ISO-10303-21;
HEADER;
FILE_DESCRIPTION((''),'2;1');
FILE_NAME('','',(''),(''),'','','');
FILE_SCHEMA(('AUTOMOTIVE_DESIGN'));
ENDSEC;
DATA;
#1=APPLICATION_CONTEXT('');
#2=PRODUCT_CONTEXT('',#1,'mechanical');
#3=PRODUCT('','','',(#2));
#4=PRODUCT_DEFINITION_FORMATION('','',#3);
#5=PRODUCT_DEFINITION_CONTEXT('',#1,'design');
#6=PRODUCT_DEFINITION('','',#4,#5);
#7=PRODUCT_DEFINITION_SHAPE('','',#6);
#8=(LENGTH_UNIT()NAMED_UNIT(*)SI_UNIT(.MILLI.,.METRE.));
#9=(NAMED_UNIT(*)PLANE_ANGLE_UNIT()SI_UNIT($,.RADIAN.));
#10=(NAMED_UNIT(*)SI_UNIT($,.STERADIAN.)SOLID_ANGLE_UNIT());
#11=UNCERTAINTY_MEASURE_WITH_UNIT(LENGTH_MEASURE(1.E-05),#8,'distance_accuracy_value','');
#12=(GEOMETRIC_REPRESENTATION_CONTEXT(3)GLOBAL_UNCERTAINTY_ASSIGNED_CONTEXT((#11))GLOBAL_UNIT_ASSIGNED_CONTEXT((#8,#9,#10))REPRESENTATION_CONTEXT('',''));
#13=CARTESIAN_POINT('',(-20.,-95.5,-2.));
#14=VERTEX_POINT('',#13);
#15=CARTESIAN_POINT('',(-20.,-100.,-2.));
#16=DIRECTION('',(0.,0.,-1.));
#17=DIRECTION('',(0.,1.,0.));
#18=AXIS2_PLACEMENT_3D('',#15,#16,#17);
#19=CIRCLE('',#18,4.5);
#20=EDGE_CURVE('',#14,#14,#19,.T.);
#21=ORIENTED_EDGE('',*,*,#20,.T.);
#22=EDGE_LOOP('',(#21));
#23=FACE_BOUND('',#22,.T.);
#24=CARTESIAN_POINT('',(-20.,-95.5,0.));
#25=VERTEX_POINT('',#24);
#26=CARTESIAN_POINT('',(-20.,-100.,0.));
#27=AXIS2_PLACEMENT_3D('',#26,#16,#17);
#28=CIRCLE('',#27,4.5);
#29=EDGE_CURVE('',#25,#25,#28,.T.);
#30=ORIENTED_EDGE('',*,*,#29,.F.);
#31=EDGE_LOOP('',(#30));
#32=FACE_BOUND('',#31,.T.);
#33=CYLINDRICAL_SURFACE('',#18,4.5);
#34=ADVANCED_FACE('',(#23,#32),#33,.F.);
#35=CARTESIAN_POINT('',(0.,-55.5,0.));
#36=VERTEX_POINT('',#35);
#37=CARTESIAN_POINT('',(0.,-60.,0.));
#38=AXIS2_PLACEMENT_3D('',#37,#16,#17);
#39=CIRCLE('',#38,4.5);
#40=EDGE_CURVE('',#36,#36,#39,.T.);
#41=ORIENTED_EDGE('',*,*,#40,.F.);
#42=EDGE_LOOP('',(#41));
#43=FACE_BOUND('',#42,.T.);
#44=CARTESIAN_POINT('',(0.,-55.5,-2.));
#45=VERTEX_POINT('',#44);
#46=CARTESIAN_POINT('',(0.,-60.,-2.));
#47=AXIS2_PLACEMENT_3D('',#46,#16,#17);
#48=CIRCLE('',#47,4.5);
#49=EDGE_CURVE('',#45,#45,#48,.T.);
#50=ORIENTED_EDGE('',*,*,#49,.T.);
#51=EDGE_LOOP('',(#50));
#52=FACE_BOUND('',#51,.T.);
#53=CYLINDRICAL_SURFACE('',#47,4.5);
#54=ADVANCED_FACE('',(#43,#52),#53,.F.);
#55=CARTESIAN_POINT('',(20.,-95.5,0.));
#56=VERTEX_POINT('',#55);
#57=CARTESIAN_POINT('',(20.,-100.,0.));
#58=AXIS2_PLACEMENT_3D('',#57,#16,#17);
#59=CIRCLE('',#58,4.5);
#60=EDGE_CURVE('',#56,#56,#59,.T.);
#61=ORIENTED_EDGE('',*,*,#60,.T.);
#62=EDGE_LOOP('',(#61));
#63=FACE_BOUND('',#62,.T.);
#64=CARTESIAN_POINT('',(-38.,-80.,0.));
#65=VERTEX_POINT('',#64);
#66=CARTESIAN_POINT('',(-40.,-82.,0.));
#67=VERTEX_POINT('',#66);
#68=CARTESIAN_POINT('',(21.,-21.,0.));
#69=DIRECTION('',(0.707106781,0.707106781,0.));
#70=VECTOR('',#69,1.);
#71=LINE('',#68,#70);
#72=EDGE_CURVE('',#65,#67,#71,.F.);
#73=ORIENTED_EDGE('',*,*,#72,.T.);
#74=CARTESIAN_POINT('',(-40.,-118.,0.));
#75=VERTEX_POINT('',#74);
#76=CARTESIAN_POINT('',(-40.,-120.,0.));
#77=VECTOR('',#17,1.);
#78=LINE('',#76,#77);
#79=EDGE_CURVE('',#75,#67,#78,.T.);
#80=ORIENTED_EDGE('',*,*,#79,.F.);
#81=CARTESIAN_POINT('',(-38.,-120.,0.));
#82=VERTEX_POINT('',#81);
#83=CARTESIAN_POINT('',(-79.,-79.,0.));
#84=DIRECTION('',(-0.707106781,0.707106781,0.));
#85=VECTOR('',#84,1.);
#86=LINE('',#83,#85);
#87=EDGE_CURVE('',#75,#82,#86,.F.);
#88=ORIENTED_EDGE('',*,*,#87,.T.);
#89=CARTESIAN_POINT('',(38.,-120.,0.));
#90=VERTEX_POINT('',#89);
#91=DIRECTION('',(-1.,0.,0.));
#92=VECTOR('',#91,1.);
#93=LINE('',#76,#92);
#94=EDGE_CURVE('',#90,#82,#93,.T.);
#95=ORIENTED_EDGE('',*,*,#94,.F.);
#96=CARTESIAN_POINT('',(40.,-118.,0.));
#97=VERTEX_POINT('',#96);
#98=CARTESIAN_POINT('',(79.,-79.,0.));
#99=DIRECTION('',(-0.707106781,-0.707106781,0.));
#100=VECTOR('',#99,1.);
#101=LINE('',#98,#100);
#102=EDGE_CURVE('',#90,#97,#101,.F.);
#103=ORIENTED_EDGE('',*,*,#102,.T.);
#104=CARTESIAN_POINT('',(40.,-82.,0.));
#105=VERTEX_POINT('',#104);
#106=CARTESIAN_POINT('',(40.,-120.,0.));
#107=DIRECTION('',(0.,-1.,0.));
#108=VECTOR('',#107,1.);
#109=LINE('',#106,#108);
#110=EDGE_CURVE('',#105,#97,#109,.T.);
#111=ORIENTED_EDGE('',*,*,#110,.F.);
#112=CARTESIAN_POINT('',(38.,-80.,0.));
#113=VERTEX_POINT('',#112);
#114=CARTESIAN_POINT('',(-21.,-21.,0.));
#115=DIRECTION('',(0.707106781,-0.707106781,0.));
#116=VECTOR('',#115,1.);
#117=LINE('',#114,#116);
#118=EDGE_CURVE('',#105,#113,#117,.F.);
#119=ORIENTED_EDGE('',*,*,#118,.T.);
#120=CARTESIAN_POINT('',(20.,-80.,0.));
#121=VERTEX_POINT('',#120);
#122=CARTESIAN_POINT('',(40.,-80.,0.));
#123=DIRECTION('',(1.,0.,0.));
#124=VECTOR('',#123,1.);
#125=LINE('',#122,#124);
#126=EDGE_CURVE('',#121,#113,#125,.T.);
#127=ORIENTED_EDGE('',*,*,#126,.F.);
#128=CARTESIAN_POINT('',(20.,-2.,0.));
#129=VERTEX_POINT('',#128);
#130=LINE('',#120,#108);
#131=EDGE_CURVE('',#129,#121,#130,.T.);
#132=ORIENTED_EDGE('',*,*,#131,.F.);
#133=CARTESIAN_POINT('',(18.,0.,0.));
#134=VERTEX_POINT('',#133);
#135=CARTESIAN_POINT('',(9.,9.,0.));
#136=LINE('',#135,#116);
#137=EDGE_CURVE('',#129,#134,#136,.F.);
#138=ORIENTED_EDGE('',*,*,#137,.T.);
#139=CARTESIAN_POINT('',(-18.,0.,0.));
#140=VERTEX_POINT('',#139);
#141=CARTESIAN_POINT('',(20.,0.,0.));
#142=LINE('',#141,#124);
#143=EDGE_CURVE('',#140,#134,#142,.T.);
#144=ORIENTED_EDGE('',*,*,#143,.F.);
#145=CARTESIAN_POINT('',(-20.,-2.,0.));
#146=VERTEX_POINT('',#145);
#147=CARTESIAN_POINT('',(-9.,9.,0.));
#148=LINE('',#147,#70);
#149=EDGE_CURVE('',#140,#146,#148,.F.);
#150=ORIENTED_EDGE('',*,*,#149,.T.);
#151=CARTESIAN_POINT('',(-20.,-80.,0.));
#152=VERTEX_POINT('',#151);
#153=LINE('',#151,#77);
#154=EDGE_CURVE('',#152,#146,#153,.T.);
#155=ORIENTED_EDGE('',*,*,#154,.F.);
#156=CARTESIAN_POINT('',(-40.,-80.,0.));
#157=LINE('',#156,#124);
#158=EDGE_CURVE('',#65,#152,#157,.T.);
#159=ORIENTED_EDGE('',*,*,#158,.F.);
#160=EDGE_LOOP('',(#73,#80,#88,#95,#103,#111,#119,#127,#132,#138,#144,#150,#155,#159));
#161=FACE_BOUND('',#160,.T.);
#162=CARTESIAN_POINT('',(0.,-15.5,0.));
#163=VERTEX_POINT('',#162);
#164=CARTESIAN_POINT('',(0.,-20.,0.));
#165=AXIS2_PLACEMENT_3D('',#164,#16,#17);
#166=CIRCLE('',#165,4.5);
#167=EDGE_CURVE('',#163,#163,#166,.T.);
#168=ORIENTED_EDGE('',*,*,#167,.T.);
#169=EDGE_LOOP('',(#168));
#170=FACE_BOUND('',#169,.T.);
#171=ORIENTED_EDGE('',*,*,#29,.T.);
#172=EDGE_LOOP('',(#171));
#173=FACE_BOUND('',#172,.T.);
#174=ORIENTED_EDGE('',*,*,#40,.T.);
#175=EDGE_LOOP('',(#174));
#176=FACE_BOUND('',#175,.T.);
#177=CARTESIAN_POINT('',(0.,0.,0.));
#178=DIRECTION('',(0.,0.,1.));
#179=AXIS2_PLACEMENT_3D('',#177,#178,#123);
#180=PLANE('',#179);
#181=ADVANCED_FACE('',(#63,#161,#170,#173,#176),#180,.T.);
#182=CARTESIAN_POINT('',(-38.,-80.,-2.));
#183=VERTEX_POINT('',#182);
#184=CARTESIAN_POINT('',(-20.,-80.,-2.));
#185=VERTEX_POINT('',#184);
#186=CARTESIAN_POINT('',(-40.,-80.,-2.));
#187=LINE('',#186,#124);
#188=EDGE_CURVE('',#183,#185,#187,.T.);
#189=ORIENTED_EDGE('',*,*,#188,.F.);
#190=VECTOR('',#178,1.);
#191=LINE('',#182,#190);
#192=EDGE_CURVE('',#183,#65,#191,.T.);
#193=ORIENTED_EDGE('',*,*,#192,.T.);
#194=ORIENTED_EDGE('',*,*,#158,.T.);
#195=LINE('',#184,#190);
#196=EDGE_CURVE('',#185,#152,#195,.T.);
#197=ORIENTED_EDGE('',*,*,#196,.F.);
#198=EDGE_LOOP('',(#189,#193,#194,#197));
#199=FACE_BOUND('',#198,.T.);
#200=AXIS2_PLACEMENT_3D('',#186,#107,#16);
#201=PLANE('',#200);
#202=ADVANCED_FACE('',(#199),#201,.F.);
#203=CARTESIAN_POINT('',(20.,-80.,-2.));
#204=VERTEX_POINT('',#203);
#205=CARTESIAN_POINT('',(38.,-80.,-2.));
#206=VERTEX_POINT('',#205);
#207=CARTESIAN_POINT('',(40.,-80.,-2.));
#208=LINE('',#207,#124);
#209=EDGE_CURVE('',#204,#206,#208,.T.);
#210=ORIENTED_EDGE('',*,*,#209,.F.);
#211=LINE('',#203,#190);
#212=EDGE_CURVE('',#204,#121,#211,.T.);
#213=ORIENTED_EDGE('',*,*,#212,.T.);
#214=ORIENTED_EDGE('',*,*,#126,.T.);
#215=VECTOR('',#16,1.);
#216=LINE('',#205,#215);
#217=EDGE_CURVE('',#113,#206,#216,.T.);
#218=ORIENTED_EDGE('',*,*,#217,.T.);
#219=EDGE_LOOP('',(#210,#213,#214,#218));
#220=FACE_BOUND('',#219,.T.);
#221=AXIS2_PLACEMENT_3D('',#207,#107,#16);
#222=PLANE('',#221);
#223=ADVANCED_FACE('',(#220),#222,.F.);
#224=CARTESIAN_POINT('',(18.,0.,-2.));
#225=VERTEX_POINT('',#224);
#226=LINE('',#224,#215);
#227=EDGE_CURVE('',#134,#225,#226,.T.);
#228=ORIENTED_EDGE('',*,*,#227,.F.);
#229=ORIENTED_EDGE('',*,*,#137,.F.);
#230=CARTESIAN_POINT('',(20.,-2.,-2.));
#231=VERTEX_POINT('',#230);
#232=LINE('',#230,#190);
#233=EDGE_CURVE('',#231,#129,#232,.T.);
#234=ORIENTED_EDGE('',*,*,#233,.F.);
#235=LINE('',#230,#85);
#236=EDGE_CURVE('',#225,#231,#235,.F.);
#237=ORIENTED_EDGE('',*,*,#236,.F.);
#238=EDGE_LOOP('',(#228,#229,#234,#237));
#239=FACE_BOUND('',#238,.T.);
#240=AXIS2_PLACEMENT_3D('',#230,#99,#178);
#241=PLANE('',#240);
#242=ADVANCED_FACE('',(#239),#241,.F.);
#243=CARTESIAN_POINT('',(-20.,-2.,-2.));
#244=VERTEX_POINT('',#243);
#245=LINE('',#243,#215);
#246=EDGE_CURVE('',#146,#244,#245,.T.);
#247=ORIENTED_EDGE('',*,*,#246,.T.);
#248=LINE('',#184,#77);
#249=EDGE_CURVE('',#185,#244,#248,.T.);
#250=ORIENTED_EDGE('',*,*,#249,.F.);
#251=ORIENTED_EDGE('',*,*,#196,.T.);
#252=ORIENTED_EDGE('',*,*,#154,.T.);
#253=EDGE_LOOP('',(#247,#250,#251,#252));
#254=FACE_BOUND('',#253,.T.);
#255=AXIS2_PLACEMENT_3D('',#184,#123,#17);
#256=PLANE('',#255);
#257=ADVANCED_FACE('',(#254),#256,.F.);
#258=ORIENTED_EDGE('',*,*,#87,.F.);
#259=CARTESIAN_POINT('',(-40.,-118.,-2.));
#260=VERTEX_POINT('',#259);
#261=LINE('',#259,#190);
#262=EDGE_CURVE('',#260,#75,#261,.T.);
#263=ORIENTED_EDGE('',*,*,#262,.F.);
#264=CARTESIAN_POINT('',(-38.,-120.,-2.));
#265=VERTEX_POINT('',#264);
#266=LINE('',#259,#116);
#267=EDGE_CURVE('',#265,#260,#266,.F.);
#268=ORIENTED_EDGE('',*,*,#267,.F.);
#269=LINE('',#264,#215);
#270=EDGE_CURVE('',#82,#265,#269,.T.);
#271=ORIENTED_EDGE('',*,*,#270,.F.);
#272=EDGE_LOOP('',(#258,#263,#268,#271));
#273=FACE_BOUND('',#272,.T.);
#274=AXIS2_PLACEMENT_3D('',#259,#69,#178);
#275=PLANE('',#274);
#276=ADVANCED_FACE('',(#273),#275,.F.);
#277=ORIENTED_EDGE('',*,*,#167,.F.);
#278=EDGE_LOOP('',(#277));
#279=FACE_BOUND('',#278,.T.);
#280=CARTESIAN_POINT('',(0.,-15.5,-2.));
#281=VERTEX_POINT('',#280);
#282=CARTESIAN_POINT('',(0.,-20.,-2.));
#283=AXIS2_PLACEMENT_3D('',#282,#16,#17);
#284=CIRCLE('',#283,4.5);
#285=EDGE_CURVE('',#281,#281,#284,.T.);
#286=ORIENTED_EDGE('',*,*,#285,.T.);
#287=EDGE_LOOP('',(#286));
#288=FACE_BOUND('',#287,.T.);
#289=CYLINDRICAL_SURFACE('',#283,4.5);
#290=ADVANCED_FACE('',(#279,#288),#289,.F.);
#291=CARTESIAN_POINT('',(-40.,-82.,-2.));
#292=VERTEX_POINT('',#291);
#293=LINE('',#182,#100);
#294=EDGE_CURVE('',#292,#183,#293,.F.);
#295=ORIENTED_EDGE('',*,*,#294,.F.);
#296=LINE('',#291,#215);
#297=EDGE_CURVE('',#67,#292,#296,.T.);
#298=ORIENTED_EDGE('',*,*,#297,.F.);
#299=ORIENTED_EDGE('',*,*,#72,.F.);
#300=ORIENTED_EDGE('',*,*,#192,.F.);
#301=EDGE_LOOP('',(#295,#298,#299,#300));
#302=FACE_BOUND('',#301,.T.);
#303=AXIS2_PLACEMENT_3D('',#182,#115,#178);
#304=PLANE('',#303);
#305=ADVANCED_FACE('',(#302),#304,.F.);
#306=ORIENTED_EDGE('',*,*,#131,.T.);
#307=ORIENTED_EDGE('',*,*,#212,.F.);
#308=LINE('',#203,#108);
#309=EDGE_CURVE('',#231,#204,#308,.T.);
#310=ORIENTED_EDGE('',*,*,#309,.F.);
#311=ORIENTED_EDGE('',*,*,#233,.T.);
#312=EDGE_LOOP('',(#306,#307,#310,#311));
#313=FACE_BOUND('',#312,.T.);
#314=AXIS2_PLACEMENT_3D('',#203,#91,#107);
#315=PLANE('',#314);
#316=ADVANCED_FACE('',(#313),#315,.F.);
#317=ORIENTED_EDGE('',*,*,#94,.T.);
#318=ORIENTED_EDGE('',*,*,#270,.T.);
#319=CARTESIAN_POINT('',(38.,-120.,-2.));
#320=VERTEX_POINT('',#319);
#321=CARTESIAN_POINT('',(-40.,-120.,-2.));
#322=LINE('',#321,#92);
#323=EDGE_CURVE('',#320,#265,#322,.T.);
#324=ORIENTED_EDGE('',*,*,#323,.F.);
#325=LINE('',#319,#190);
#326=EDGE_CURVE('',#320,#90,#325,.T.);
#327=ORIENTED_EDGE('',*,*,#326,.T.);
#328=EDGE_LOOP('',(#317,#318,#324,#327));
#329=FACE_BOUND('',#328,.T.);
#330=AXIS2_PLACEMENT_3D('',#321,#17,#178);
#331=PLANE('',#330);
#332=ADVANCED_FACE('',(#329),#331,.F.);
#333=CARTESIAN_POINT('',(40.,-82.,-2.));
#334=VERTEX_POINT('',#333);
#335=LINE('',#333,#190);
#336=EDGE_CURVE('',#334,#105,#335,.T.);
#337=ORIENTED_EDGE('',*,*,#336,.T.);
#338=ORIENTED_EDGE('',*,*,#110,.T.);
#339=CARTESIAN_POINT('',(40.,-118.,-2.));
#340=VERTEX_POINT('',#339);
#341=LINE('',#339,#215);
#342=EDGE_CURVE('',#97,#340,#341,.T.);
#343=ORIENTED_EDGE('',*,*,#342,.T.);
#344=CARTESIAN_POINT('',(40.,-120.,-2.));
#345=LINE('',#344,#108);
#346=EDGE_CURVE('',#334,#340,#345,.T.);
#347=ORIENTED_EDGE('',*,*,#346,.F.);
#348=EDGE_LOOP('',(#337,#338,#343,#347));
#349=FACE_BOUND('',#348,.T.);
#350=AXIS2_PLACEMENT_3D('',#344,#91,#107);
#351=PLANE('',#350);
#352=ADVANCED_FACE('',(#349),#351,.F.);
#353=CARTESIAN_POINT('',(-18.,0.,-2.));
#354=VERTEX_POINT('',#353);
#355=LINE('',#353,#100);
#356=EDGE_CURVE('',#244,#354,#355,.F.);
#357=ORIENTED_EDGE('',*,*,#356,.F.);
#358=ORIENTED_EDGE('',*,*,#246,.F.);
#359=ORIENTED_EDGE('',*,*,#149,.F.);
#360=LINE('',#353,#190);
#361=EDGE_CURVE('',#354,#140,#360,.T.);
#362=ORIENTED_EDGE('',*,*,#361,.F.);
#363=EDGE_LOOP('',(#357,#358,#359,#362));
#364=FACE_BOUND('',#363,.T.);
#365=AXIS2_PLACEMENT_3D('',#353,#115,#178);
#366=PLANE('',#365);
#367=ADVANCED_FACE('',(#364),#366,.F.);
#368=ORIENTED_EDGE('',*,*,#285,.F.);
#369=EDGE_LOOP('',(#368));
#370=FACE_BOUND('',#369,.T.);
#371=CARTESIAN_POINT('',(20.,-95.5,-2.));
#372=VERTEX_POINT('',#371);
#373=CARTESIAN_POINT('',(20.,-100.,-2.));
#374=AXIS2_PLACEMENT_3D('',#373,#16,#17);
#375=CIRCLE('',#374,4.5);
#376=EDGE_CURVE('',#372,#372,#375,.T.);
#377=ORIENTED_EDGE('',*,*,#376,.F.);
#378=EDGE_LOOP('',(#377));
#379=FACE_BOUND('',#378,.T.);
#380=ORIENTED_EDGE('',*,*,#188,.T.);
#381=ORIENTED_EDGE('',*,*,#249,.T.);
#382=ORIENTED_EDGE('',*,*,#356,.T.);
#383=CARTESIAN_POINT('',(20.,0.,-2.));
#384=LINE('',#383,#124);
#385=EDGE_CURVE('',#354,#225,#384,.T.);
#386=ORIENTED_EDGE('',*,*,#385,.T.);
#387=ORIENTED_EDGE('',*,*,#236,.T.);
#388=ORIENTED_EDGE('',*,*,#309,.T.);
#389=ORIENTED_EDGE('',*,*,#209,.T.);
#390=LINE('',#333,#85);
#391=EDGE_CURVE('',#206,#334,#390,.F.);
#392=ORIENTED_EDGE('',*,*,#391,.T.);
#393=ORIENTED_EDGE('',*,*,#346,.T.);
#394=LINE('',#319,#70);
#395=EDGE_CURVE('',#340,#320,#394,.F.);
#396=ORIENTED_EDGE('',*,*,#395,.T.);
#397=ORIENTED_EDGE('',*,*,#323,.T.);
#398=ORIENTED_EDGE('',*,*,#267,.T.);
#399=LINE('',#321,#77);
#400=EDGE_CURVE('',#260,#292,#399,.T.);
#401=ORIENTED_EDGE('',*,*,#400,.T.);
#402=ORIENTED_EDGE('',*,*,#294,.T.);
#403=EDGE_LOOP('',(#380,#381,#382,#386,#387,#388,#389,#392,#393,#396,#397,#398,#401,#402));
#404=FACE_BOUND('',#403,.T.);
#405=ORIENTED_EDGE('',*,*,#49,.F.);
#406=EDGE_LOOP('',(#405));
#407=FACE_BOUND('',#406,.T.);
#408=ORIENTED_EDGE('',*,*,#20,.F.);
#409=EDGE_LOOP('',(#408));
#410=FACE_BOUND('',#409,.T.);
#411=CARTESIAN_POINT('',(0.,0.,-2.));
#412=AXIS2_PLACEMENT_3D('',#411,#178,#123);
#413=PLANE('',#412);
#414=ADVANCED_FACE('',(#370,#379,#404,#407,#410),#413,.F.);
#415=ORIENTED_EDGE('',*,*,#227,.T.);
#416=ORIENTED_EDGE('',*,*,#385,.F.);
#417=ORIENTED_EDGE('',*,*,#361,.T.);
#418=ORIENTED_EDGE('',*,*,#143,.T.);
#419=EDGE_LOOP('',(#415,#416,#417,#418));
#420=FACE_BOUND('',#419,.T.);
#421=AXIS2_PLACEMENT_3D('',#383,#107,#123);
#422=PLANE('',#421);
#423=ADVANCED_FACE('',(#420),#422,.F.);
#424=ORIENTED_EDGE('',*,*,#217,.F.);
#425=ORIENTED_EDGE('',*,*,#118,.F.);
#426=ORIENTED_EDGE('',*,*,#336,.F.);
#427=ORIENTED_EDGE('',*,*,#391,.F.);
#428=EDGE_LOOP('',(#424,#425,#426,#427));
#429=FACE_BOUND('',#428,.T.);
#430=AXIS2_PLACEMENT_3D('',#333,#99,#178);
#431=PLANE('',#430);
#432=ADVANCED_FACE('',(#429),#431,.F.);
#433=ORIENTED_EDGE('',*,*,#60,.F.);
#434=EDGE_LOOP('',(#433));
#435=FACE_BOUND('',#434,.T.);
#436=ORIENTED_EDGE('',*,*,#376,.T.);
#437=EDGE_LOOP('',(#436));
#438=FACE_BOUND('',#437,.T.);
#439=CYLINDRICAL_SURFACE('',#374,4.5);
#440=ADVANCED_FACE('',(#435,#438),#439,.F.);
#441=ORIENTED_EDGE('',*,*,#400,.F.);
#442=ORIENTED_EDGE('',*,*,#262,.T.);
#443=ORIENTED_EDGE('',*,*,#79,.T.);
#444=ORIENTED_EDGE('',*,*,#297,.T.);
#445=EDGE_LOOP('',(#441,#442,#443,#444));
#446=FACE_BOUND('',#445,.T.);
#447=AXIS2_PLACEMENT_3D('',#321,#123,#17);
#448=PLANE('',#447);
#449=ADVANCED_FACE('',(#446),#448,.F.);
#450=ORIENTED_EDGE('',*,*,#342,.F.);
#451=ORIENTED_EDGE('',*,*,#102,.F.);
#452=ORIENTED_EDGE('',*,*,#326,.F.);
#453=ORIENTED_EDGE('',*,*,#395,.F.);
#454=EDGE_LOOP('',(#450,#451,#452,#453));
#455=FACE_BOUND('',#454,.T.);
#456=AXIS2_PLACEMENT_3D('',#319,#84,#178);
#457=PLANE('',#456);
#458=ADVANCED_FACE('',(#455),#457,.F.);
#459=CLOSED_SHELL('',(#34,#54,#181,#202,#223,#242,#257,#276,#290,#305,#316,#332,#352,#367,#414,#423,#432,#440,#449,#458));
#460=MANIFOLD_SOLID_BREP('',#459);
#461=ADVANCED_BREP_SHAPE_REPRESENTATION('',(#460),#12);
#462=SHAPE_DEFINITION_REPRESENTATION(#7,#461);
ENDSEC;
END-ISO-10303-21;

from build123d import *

# Parameters (mm, degrees)
EXTRUDE_1_DEPTH   = 2
HOLE_WIZARD_M81_D = 9
CHAMFER_1_SIZE    = 2


with BuildPart() as part:
    # Эскиз1 → Бобышка-Вытянуть1 (new body)
    with BuildSketch(Plane(origin=(0, 0, 0), x_dir=(1, 0, 0), z_dir=(0, 0, -1))):
        Polygon((-40, 120), (40, 120), (40, 80), (20, 80), (20, 0), (-20, 0), (-20, 80), (-40, 80), align=None)
    extrude(amount=EXTRUDE_1_DEPTH)

    # Отверстие с зазором M81 (through all)
    with Locations(Plane(origin=(0, 0, -2), x_dir=(1, 0, 0), z_dir=(0, 0, -1))):
        with Locations((20, 100), (0, 60), (0, 20), (-20, 100)):
            Hole(HOLE_WIZARD_M81_D / 2)

    # Фаска1
    chamfer_1_edges = [part.edges().sort_by_distance(p)[0] for p in [
        (-40, -80, -1),
        (-40, -120, -1),
        (40, -120, -1),
        (40, -80, -1),
        (20, 0, -1),
        (-20, 0, -1),
    ]]
    chamfer(chamfer_1_edges, length=CHAMFER_1_SIZE)


solid = part.part
